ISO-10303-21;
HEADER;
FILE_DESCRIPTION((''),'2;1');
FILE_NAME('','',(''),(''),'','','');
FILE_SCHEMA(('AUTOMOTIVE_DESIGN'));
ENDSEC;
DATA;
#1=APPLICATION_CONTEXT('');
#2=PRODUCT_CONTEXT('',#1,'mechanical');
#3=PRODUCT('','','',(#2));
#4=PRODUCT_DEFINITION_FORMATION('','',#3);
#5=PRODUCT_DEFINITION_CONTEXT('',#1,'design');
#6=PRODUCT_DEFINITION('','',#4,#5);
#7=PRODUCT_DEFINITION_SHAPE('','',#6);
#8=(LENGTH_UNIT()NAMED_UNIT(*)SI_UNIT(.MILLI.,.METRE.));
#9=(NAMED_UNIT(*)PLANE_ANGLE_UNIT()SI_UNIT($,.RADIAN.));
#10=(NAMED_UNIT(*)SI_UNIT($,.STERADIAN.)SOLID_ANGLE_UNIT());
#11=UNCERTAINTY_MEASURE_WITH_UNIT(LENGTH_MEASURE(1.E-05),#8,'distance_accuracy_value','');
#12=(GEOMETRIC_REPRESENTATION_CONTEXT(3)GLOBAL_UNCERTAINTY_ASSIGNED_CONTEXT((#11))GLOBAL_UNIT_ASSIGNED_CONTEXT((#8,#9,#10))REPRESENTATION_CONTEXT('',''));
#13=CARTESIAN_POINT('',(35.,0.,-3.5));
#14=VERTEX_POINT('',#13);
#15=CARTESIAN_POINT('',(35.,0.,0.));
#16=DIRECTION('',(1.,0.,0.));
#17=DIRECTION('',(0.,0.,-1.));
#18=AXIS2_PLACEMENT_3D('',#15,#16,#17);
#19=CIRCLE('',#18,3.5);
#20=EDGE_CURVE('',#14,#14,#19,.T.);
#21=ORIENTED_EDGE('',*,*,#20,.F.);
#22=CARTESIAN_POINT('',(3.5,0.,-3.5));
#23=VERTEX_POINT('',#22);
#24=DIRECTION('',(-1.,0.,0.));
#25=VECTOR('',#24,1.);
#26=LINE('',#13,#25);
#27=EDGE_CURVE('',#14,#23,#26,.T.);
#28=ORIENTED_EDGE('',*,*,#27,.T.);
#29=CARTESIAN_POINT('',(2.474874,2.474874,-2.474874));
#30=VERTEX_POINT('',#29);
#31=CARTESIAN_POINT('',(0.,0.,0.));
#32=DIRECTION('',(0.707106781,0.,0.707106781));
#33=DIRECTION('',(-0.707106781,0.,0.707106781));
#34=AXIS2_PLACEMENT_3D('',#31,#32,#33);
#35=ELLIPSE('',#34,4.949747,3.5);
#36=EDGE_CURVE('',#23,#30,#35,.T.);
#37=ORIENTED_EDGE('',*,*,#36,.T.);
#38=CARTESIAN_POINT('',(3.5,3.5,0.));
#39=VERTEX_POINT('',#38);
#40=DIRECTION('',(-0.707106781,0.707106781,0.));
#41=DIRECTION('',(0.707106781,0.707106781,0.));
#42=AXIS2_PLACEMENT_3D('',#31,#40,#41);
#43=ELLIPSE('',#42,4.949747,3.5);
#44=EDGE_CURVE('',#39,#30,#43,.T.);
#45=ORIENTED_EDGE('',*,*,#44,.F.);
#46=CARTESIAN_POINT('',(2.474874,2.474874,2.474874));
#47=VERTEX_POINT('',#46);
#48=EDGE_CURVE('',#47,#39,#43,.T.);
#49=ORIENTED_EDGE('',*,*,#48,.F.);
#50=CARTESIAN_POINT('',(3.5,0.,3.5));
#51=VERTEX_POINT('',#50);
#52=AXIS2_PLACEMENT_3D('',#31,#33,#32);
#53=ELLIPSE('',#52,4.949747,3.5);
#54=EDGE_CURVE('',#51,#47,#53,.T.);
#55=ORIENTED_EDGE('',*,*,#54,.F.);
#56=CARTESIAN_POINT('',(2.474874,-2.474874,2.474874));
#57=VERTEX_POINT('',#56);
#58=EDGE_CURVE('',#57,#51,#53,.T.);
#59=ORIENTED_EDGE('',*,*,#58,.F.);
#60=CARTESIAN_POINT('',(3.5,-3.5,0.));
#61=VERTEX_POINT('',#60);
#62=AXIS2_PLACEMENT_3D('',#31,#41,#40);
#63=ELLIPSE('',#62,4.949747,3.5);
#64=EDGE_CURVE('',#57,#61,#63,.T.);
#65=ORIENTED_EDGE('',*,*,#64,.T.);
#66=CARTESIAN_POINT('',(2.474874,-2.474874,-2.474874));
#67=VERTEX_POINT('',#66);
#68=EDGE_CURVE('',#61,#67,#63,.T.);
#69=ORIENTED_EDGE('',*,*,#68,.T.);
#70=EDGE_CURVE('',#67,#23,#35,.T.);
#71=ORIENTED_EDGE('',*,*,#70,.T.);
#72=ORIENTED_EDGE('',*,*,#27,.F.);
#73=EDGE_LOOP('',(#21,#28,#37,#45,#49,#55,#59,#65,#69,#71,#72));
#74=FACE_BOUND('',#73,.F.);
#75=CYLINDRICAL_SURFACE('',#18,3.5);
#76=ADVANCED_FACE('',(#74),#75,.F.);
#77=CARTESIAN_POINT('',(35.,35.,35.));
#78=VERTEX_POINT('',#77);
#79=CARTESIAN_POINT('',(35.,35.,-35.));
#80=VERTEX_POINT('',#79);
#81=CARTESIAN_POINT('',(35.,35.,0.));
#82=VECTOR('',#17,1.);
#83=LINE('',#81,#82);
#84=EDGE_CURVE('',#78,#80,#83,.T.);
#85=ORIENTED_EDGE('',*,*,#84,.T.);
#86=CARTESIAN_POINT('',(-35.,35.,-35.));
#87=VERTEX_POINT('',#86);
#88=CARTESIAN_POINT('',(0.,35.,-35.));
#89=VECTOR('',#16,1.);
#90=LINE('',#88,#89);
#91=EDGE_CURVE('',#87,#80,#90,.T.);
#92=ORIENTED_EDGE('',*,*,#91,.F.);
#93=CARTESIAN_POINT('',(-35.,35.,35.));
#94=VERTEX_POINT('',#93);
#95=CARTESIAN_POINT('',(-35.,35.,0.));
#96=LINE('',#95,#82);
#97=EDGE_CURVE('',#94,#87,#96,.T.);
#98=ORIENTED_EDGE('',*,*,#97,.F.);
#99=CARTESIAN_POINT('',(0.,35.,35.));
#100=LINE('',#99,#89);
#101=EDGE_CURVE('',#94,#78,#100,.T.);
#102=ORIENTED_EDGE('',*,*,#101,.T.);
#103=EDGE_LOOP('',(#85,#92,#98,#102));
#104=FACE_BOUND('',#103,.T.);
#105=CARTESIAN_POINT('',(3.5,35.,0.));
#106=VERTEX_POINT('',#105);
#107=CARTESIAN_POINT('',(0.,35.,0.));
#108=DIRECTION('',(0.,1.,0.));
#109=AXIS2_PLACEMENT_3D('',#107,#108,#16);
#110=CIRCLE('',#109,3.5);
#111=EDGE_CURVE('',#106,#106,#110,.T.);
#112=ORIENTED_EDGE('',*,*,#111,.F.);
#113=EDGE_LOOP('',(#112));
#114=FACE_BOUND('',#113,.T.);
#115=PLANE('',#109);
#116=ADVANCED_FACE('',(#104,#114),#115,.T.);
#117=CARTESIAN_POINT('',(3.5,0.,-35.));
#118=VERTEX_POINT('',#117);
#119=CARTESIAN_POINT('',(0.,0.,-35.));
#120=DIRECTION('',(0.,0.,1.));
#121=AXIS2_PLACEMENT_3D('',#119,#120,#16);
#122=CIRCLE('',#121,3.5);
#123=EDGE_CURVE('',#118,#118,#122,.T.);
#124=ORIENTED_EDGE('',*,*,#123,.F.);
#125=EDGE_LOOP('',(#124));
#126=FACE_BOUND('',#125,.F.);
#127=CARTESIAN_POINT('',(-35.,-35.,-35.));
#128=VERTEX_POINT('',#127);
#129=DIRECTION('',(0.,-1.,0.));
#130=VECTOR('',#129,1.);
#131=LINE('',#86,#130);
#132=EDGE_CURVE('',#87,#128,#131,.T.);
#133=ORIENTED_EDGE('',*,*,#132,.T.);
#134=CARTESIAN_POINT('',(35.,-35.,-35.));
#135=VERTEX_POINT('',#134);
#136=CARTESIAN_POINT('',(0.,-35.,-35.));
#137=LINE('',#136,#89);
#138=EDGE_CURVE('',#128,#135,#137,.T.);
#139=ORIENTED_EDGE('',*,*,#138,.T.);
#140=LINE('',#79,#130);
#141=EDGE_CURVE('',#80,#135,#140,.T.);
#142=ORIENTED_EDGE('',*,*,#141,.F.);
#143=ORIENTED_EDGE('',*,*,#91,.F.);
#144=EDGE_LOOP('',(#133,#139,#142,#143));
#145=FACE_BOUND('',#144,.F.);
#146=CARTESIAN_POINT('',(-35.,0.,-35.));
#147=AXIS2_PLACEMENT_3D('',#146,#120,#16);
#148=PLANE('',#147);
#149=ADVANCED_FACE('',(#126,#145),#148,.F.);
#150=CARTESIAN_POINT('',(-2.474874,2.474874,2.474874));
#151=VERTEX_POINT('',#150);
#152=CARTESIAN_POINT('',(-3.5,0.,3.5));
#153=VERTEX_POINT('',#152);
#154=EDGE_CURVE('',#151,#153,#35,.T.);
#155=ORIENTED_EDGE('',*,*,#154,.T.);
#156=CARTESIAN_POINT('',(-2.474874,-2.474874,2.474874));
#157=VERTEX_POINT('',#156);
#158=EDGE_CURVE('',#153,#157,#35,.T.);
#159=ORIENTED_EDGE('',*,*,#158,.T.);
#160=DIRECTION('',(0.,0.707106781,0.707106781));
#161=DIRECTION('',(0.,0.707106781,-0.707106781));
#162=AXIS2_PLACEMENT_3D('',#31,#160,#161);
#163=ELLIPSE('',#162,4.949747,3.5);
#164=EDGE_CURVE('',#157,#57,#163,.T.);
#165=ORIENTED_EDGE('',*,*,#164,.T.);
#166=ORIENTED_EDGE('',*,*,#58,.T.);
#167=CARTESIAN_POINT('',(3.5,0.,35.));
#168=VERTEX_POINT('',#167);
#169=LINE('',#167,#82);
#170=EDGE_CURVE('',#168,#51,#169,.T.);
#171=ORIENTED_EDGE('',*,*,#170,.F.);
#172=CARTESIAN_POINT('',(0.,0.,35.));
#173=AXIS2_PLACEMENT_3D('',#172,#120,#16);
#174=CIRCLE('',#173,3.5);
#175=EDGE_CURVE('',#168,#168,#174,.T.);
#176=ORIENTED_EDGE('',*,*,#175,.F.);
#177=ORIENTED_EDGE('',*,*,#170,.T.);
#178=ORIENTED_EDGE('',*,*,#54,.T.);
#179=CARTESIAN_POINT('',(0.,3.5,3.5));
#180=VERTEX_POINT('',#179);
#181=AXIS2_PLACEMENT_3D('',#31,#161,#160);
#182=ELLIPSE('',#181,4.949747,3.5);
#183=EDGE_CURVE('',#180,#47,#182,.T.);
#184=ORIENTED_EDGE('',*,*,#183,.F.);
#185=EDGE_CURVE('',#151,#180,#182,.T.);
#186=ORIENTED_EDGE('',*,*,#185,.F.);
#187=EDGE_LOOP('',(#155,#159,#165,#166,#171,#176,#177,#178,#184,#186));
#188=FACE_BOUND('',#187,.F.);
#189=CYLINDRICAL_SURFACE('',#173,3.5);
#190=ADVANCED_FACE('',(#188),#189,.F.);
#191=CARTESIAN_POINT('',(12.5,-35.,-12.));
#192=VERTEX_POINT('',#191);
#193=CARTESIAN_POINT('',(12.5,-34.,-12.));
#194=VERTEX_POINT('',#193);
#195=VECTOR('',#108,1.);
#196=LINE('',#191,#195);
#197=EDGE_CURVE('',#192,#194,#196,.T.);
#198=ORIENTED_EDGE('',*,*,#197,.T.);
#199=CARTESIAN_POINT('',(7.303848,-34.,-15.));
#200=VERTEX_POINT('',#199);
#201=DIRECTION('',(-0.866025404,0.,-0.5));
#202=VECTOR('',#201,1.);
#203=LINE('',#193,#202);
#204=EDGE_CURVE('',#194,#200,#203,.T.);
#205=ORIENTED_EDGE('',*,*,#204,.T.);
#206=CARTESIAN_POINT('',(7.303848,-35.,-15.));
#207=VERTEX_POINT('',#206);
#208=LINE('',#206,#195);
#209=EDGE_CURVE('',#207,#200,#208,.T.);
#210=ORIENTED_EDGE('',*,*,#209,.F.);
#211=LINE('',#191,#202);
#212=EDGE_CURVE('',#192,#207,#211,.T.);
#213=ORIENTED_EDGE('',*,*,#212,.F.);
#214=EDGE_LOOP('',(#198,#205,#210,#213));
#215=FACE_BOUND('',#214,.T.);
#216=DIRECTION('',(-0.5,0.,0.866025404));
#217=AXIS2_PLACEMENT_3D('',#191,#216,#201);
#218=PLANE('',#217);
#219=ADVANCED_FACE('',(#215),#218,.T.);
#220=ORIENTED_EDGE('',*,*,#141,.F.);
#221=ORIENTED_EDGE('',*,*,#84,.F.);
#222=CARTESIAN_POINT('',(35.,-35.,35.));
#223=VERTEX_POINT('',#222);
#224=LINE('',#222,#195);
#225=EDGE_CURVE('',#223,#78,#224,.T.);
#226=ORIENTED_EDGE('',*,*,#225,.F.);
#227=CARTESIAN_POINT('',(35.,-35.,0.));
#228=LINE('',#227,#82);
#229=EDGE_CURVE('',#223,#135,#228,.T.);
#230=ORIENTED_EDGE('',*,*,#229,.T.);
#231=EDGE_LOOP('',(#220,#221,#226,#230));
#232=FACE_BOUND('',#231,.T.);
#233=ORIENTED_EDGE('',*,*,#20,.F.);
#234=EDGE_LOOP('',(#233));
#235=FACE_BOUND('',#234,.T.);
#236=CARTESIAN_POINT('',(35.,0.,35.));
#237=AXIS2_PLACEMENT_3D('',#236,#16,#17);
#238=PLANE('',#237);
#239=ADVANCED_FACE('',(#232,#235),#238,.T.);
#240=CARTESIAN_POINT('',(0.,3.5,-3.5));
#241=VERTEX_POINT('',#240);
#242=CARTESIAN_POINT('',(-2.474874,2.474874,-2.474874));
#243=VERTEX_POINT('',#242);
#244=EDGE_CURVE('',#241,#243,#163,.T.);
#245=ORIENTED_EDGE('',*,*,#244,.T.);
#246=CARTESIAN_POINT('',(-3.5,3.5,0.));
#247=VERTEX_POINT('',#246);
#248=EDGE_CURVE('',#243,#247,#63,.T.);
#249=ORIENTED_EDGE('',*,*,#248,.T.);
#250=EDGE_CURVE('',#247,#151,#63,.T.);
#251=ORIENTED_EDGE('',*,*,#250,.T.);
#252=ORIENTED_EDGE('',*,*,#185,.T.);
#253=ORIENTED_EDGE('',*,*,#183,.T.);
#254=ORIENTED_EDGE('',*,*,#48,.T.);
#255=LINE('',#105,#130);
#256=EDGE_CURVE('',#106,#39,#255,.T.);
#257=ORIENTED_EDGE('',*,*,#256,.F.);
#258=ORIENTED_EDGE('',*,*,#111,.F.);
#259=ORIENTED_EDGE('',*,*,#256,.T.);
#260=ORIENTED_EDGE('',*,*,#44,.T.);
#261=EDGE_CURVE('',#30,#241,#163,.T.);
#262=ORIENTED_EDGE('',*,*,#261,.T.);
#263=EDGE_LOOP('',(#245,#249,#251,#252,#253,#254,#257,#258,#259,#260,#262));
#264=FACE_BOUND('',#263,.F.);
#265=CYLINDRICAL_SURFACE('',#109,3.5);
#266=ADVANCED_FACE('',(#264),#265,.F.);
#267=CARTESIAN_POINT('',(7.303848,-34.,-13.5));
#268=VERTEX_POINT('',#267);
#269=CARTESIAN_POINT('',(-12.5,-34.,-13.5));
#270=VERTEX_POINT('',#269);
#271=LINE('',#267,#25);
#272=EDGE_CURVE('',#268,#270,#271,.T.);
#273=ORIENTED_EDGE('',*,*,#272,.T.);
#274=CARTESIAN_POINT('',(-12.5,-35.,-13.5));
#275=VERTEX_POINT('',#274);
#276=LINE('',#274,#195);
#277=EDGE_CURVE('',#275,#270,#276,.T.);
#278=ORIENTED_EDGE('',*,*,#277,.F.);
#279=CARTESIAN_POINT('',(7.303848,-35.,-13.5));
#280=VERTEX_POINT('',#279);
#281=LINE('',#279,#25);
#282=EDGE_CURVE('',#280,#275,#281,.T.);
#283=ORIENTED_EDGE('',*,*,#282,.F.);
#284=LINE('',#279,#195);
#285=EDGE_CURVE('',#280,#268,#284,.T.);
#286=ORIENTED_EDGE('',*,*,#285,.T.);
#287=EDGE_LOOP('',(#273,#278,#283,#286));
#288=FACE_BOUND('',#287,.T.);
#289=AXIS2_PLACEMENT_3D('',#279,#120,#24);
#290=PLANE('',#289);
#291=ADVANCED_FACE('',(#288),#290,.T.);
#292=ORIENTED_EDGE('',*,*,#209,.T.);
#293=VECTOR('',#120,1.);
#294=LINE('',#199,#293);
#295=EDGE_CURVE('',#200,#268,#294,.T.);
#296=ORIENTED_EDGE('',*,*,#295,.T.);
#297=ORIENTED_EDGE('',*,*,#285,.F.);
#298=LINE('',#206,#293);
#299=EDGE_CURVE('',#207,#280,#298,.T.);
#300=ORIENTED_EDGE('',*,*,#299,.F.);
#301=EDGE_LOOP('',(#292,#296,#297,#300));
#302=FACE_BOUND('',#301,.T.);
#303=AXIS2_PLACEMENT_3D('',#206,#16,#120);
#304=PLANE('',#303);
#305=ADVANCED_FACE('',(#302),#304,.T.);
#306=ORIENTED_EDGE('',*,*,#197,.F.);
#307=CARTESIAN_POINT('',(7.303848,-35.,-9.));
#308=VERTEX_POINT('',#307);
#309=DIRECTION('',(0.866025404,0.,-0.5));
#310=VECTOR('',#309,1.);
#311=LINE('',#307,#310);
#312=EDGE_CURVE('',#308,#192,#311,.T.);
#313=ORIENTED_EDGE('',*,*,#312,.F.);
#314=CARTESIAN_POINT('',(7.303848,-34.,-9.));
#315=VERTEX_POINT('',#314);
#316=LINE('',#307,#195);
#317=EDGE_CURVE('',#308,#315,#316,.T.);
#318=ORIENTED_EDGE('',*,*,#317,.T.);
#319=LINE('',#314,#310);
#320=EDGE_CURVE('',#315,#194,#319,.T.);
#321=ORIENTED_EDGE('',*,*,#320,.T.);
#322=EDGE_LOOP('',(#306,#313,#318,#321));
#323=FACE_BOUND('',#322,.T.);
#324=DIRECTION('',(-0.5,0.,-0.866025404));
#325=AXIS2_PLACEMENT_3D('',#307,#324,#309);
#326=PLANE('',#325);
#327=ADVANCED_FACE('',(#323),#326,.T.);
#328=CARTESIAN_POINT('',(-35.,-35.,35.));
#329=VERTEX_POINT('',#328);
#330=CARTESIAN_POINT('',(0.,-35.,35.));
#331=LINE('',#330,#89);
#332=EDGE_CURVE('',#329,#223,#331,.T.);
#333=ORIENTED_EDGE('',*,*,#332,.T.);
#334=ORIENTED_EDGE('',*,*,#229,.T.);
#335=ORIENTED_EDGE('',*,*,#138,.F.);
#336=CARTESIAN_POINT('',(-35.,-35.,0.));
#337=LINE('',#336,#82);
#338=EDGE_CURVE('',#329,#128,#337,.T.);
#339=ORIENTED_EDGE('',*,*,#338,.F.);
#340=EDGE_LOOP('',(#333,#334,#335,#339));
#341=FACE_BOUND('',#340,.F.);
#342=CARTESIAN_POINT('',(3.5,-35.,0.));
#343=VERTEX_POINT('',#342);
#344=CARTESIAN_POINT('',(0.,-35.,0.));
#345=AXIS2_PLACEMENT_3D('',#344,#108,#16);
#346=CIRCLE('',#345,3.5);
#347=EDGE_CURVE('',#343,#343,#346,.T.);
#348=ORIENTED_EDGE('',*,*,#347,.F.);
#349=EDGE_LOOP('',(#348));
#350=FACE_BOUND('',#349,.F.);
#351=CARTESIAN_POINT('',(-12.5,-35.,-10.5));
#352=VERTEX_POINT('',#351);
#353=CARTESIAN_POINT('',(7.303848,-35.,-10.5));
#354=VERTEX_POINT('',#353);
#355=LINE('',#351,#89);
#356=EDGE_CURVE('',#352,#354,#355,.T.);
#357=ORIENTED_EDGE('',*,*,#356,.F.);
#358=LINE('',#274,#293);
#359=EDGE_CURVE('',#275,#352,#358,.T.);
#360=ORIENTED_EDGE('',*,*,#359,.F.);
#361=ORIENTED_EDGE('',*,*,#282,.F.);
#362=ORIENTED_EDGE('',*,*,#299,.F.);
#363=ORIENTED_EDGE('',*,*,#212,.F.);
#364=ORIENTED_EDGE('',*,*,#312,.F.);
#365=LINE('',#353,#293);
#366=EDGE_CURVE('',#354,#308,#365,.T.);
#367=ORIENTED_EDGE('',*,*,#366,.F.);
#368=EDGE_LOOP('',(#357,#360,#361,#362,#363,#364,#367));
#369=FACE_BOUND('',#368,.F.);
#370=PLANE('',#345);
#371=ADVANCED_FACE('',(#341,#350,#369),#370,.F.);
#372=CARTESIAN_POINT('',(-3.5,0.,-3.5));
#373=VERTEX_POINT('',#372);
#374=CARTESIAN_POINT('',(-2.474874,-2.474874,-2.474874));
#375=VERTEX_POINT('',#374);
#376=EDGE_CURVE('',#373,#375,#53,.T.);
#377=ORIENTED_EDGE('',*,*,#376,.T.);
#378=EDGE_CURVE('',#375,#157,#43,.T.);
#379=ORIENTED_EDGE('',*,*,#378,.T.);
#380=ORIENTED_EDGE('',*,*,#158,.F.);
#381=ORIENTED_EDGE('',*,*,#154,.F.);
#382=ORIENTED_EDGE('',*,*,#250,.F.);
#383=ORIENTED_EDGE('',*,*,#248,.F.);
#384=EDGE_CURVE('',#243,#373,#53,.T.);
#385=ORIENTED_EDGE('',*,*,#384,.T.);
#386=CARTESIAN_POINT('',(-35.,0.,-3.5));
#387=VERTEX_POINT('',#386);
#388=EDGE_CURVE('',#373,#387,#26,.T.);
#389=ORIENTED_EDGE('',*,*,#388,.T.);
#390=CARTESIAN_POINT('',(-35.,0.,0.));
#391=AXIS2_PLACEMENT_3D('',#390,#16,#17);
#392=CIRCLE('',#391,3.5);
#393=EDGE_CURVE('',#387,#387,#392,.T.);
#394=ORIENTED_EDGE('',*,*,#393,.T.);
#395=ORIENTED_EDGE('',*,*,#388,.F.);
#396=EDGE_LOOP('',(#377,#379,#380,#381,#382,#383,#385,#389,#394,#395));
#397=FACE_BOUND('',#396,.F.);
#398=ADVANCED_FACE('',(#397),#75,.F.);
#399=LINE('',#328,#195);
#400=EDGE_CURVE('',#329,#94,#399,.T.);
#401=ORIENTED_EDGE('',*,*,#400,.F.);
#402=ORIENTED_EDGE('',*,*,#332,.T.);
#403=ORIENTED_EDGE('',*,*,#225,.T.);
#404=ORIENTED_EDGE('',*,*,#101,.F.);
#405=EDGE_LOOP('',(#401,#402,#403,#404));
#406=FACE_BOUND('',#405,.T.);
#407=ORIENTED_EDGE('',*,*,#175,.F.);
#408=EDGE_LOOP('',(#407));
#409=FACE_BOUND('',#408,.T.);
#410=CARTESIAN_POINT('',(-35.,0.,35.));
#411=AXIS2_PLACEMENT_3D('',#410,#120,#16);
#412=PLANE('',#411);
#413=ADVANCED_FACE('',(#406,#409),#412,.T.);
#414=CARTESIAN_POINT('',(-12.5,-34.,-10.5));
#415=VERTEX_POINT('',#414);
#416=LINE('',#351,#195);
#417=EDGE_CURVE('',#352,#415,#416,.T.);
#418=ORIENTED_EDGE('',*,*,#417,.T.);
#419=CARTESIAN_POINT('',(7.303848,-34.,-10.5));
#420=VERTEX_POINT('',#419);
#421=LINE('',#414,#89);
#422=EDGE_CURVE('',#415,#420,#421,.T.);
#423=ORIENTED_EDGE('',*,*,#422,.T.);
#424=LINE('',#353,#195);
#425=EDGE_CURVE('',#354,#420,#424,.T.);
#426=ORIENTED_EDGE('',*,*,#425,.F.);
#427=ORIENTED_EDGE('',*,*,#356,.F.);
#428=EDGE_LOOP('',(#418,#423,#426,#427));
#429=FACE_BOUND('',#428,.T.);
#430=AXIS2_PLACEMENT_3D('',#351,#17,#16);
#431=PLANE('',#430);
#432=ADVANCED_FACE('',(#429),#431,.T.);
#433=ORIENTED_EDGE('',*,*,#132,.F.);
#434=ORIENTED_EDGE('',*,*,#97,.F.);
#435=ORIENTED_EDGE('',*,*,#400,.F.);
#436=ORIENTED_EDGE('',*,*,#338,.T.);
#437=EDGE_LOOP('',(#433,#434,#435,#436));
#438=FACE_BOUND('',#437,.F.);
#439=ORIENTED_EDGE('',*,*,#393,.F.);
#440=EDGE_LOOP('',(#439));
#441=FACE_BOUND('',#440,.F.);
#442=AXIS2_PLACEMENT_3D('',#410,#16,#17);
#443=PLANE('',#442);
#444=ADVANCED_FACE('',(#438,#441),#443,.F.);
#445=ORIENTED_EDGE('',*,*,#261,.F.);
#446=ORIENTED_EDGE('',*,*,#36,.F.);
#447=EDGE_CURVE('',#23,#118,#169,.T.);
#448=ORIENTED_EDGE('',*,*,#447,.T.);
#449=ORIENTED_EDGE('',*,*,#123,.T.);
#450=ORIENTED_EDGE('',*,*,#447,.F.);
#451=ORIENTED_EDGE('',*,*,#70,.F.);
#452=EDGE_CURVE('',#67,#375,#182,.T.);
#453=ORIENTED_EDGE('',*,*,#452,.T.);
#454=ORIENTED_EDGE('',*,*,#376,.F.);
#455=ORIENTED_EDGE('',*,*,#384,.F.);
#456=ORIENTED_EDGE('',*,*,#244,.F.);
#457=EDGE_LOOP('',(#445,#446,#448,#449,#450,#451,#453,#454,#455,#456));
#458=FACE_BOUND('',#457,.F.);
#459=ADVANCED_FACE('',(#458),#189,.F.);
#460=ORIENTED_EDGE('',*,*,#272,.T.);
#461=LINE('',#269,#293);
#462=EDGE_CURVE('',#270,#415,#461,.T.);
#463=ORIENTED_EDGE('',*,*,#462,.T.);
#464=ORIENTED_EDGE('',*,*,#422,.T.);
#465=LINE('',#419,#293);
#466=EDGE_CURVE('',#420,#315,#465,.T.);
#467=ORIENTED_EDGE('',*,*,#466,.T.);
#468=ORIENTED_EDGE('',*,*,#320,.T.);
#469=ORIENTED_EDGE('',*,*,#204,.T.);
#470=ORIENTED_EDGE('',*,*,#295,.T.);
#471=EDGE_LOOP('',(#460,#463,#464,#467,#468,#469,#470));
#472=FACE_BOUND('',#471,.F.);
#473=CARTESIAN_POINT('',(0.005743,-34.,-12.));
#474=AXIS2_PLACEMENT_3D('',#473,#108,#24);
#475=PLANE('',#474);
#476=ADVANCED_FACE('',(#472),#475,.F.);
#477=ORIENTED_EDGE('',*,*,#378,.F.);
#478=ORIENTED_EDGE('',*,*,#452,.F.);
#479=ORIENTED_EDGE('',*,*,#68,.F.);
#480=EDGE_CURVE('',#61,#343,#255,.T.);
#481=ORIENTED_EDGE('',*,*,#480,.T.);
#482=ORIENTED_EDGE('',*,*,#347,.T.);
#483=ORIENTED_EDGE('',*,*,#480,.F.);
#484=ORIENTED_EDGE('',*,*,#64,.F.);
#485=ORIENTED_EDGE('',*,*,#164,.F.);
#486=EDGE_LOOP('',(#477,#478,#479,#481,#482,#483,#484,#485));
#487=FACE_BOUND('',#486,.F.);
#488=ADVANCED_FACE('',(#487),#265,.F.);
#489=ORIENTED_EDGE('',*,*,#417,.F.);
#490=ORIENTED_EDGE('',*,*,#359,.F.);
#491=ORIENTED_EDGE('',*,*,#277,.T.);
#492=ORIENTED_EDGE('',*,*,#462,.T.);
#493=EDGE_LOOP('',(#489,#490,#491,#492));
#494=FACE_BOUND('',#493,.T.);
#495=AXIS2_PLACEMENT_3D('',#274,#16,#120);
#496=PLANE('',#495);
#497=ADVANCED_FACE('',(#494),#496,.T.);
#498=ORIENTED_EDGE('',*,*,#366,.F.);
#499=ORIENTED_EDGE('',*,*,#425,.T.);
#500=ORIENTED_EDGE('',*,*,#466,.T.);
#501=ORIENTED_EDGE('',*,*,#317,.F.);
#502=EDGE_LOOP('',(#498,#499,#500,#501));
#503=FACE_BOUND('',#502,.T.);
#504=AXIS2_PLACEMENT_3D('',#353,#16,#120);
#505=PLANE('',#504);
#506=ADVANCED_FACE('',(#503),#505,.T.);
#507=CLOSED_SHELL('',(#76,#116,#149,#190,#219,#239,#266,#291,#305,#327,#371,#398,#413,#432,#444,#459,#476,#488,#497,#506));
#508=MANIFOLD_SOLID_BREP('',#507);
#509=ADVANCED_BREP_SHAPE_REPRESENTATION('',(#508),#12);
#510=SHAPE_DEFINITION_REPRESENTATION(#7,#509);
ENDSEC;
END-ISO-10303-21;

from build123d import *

# Parameters (mm, degrees)
SKETCH1_W           = 70
SKETCH1_H           = 70
BOSS_EXTRUDE1_DEPTH = 35
SKETCH2_R           = 3.5
CUT_EXTRUDE1_DEPTH  = 71
SKETCH3_R           = 3.5
CUT_EXTRUDE2_DEPTH  = 71
SKETCH4_R           = 3.5
CUT_EXTRUDE3_DEPTH  = 71
CUT_EXTRUDE4_DEPTH  = 1


with BuildPart() as part:
    # Sketch1 → Boss-Extrude1 (new body, symmetric)
    with BuildSketch(Plane(origin=(0, 0, 0), x_dir=(1, 0, 0), z_dir=(0, 1, 0))):
        Rectangle(SKETCH1_W, SKETCH1_H)
    extrude(amount=BOSS_EXTRUDE1_DEPTH, both=True)

    # Sketch2 → Cut-Extrude1 (cut, through all)
    with BuildSketch(Plane(origin=(0, 35, 0), x_dir=(1, 0, 0), z_dir=(0, 1, 0))):
        Circle(SKETCH2_R)
    extrude(amount=-CUT_EXTRUDE1_DEPTH, mode=Mode.SUBTRACT)

    # Sketch3 → Cut-Extrude2 (cut, through all)
    with BuildSketch(Plane.XY.offset(35)):
        Circle(SKETCH3_R)
    extrude(amount=-CUT_EXTRUDE2_DEPTH, mode=Mode.SUBTRACT)

    # Sketch4 → Cut-Extrude3 (cut, through all)
    with BuildSketch(Plane(origin=(35, 0, 0), x_dir=(0, 0, -1), z_dir=(1, 0, 0))):
        Circle(SKETCH4_R)
    extrude(amount=-CUT_EXTRUDE3_DEPTH, mode=Mode.SUBTRACT)

    # Sketch5 → Cut-Extrude4 (cut)
    with BuildSketch(Plane.XZ.offset(35)):
        Polygon((7.303847577, -10.5), (7.303847577, -9), (12.5, -12), (7.303847577, -15), (7.303847577, -13.5), (-12.5, -13.5), (-12.5, -10.5), align=None)
    extrude(amount=-CUT_EXTRUDE4_DEPTH, mode=Mode.SUBTRACT)


solid = part.part
